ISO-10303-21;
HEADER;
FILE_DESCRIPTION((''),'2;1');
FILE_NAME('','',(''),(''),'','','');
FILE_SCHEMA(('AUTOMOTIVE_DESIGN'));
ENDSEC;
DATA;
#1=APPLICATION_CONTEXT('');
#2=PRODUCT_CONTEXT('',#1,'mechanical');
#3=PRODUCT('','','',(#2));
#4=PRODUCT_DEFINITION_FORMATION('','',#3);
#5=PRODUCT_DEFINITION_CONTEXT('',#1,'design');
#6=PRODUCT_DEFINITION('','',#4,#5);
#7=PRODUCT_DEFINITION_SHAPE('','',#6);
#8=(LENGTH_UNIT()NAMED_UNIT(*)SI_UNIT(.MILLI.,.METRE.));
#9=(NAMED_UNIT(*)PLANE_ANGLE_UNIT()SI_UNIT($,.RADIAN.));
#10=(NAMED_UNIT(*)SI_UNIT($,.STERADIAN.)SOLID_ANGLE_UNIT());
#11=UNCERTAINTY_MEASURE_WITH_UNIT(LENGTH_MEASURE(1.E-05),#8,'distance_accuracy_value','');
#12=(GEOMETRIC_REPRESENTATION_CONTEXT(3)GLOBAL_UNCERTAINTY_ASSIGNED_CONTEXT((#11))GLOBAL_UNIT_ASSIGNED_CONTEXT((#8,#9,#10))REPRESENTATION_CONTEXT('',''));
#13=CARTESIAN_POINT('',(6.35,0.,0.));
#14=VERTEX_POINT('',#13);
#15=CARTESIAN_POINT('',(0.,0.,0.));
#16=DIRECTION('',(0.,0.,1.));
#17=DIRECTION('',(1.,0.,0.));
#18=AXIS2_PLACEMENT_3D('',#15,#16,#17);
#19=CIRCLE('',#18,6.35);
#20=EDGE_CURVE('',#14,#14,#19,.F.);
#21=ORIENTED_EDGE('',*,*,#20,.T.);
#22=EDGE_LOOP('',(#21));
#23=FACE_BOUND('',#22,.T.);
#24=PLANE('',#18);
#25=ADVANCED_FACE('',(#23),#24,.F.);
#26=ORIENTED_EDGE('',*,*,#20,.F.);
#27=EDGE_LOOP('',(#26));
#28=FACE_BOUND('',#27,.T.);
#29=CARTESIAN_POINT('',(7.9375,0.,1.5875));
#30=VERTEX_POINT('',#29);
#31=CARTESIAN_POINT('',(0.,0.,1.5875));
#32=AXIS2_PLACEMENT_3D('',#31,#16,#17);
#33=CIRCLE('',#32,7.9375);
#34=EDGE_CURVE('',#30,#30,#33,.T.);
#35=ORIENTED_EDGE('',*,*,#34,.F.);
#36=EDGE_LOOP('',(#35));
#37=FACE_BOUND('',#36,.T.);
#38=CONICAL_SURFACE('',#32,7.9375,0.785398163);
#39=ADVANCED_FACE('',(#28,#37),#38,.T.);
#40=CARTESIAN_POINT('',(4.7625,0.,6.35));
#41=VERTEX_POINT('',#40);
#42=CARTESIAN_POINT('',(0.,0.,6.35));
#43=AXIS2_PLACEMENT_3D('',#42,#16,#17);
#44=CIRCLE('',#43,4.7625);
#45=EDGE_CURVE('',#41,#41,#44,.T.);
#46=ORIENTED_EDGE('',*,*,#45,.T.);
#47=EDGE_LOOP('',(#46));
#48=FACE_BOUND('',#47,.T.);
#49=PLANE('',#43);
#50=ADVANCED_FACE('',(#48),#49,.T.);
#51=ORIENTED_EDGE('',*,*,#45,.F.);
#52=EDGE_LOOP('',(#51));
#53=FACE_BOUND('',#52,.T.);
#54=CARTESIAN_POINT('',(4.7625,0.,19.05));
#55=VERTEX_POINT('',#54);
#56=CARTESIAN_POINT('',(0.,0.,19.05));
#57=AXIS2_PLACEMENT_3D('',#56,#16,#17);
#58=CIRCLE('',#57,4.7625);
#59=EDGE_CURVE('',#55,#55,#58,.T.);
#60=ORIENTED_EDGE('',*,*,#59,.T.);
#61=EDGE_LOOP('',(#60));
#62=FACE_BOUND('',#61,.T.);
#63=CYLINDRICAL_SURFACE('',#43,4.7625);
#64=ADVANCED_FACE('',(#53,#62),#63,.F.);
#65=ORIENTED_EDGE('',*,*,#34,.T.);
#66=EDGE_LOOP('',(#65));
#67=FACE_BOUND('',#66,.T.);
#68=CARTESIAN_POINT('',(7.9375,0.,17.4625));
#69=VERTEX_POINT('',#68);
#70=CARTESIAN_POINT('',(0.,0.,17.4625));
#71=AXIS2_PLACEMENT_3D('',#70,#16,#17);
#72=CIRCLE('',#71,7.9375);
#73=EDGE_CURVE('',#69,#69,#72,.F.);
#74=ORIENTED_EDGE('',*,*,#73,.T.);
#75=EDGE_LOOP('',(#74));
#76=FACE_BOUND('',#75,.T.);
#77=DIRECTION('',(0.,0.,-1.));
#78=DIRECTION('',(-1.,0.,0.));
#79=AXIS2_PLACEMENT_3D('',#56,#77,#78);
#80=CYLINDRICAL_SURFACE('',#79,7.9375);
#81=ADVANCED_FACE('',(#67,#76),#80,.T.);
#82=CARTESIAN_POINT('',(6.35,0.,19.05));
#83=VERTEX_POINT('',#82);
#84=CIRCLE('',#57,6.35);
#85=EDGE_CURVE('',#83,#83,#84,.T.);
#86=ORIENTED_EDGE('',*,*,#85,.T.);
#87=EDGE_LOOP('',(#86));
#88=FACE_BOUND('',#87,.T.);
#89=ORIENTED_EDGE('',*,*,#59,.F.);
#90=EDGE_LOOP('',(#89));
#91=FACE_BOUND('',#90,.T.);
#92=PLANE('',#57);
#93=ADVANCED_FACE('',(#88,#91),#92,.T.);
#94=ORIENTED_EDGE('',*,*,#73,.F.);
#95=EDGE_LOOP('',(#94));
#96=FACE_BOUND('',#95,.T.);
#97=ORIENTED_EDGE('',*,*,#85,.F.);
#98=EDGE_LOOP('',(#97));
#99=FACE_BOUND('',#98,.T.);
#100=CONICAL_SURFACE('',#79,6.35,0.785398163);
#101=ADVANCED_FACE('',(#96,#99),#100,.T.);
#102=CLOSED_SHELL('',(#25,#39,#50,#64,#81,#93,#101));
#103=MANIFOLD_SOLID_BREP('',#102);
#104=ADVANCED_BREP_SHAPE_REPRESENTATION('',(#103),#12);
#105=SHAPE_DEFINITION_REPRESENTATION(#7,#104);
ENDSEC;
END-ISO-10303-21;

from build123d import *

# Parameters (mm, degrees)
SKETCH1_R           = 7.9375
BOSS_EXTRUDE1_DEPTH = 19.05
SKETCH2_R           = 4.7625
CUT_EXTRUDE1_DEPTH  = 12.7
CHAMFER1_SIZE       = 1.5875


with BuildPart() as part:
    # Sketch1 → Boss-Extrude1 (new body)
    with BuildSketch(Plane.XY):
        Circle(SKETCH1_R)
    extrude(amount=BOSS_EXTRUDE1_DEPTH)

    # Sketch2 → Cut-Extrude1 (cut)
    with BuildSketch(Plane.XY.offset(19.05)):
        Circle(SKETCH2_R)
    extrude(amount=-CUT_EXTRUDE1_DEPTH, mode=Mode.SUBTRACT)

    # Chamfer1
    chamfer1_edges = [part.edges().sort_by_distance(p)[0] for p in [
        (-7.9375, 0, 0),
        (-7.9375, 0, 19.05),
    ]]
    chamfer(chamfer1_edges, length=CHAMFER1_SIZE)


solid = part.part
